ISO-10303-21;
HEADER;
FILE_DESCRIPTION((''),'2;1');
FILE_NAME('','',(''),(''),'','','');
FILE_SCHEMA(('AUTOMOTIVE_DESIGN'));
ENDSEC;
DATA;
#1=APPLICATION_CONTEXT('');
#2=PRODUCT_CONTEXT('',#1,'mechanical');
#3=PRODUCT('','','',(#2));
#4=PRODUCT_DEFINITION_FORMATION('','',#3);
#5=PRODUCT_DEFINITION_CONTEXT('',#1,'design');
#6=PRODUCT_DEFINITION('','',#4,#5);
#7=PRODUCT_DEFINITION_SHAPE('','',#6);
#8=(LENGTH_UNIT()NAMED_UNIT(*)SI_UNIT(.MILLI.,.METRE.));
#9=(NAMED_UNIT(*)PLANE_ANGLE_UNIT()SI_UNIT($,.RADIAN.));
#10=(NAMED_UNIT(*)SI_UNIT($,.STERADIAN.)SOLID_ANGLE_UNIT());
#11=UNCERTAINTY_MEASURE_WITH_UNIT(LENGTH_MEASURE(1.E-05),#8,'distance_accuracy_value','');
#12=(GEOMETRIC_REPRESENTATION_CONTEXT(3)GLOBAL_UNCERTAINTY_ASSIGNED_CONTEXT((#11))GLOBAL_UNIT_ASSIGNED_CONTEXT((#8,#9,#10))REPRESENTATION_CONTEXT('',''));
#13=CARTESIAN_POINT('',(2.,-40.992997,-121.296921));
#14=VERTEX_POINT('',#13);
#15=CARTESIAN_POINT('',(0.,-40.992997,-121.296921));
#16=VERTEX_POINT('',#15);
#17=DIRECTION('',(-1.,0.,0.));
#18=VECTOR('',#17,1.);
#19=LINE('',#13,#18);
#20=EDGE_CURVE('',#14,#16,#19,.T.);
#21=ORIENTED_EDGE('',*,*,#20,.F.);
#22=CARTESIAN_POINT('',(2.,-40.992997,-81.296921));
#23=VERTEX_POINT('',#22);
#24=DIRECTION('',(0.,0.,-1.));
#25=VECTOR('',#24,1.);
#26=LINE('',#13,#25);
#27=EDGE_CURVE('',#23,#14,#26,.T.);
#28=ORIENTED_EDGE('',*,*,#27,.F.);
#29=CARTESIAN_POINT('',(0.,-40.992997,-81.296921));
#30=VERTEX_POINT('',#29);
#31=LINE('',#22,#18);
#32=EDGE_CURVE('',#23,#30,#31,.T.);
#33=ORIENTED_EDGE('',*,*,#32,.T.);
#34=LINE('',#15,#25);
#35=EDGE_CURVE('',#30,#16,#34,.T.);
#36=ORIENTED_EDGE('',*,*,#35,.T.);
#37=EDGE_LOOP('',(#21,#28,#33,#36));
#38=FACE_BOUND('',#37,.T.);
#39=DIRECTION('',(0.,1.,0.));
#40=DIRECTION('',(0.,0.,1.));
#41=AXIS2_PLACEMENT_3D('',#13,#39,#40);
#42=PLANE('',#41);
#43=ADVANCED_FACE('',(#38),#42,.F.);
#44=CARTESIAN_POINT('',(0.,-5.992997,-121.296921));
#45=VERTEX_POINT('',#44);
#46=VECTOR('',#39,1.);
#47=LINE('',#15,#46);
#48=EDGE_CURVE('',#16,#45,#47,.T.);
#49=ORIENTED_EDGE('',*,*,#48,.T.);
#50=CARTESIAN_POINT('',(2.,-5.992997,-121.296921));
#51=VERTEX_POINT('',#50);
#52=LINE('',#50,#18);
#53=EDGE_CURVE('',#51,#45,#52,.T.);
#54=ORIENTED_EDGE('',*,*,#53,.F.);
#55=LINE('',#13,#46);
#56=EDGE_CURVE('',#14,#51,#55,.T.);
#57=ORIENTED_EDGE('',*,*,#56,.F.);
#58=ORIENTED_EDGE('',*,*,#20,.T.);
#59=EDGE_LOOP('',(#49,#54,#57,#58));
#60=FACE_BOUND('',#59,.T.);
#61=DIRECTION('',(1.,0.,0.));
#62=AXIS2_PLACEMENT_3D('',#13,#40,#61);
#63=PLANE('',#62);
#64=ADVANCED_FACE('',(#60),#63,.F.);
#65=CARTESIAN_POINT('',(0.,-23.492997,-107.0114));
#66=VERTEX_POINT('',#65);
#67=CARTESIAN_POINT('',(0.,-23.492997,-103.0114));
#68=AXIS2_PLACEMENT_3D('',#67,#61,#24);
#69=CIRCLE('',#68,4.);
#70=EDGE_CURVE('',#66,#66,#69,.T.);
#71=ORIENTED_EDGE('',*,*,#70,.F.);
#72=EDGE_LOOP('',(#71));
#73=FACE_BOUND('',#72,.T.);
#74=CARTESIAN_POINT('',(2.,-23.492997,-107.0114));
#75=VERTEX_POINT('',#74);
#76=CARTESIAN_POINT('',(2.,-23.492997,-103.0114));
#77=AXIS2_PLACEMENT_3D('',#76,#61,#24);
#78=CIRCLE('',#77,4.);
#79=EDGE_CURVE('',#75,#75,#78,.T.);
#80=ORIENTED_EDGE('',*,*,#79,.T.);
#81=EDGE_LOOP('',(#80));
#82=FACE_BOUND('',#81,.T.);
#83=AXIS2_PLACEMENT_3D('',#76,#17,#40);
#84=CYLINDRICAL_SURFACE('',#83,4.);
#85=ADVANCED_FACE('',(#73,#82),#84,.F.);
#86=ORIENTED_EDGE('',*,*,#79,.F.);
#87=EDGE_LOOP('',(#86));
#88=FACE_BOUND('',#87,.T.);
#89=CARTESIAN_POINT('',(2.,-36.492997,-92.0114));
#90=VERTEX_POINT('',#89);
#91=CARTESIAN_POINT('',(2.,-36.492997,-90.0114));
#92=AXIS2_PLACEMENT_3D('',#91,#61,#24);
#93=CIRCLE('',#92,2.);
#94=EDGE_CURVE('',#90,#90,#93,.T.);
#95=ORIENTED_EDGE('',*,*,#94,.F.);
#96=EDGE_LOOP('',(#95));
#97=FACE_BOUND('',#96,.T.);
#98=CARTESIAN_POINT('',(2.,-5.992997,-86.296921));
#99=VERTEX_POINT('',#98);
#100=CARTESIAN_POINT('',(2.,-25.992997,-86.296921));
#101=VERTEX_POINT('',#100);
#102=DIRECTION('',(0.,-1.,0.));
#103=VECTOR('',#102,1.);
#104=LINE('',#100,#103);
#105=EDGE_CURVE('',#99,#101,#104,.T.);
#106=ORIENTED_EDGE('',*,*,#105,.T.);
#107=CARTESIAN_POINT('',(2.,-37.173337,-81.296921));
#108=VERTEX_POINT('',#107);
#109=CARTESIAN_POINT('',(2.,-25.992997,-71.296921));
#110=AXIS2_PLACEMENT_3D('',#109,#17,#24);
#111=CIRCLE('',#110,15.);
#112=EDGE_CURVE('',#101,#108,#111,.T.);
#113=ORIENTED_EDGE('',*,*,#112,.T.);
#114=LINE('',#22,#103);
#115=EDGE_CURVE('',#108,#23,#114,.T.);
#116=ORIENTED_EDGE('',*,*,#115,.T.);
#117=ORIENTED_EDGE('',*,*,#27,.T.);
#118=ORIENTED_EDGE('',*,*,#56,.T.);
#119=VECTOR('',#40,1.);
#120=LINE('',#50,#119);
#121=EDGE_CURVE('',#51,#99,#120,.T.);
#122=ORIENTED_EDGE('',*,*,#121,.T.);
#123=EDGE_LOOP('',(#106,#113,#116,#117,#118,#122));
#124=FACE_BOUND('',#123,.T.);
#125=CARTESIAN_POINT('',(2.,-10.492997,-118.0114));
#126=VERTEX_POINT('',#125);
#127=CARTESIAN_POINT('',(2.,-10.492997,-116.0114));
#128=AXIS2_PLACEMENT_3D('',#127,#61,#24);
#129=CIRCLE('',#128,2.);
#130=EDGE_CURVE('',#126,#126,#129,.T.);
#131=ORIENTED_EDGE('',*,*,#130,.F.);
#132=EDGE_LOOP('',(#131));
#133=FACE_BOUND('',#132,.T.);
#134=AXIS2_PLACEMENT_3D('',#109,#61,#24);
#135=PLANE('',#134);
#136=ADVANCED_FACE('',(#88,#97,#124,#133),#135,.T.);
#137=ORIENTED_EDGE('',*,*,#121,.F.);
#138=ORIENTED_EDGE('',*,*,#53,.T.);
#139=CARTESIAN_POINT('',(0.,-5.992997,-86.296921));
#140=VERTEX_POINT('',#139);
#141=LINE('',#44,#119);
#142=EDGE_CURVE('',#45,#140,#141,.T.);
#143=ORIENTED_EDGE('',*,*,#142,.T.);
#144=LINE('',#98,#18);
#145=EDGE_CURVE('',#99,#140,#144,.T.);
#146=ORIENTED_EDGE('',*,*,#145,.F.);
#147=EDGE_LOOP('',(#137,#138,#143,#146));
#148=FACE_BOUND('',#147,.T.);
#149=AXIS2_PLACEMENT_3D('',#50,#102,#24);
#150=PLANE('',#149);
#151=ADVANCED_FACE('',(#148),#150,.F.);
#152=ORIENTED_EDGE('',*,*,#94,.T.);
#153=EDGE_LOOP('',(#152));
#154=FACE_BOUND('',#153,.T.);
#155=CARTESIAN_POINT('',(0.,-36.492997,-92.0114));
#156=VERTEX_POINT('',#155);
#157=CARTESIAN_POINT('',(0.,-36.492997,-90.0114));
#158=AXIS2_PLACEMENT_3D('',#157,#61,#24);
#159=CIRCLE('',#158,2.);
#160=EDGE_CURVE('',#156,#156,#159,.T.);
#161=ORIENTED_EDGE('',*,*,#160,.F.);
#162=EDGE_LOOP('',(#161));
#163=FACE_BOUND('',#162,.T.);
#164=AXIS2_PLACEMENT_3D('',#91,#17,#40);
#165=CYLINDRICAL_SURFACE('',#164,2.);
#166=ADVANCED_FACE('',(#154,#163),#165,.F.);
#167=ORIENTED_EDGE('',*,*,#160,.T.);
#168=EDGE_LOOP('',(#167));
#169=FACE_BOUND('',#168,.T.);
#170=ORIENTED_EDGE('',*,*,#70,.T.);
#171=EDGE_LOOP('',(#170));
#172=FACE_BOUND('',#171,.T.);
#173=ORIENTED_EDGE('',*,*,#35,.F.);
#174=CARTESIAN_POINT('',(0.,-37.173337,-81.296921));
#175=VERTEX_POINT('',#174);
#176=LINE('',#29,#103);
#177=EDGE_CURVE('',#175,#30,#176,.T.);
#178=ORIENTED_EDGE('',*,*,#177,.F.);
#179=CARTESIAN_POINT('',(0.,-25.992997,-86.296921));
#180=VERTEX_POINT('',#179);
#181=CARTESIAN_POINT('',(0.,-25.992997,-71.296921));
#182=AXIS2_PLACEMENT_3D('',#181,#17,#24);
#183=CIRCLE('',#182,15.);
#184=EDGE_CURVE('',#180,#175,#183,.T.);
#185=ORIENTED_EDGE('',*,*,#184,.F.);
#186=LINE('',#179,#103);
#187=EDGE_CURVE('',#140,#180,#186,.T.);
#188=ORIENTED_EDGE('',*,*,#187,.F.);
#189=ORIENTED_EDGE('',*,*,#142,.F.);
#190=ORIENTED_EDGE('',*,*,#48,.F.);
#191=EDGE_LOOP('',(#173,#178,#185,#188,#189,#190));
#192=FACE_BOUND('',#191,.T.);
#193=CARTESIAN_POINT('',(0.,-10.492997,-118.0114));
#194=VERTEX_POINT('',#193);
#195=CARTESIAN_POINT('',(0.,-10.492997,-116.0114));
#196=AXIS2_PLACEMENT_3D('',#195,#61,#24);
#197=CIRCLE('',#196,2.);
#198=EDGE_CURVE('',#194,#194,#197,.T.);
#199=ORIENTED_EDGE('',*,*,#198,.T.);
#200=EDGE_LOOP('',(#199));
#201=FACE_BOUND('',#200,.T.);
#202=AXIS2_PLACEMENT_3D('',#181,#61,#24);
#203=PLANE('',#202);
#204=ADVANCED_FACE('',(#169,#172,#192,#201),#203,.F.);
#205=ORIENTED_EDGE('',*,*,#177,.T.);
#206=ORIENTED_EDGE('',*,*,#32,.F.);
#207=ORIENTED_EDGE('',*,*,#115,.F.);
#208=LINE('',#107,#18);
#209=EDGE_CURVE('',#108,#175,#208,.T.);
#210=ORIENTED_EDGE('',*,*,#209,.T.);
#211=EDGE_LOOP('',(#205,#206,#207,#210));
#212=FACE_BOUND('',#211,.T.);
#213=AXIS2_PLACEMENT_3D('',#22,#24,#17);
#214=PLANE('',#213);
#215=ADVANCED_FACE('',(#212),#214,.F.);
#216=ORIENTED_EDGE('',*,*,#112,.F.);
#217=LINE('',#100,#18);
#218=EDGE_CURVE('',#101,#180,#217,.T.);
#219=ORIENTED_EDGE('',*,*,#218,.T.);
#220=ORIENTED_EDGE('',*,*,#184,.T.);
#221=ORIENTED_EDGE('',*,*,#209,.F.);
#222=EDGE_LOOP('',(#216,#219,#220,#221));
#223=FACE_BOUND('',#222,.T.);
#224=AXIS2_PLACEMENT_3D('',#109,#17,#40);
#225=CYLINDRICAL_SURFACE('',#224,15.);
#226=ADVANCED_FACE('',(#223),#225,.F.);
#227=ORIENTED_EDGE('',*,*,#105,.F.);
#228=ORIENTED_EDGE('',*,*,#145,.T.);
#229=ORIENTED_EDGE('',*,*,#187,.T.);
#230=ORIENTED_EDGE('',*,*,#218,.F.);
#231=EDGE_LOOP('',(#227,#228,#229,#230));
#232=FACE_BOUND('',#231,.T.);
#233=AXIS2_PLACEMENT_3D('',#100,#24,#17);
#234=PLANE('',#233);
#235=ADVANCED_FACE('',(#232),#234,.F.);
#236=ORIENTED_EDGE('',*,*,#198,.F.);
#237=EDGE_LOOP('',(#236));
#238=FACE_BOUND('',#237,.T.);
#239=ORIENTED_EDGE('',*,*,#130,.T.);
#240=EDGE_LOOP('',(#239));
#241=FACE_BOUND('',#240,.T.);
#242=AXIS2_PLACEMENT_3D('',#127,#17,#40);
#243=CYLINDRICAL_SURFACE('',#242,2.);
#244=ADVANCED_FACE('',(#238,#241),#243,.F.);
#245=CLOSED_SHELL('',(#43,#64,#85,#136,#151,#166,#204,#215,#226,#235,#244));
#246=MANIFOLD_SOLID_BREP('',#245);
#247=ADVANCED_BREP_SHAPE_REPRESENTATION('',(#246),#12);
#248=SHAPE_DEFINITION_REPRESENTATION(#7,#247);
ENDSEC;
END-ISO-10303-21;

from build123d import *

# Parameters (mm, degrees)
SKETCH1_R           = 4
SKETCH1_R_2         = 2
BOSS_EXTRUDE1_DEPTH = 2


with BuildPart() as part:
    # Sketch1 → Boss-Extrude1 (new body)
    with BuildSketch(Plane(origin=(0, 0, 0), x_dir=(0, 0, -1), z_dir=(1, 0, 0))):
        with BuildLine():
            Line((121.29692104, -40.99299677), (121.29692104, -5.99299677))
            Line((121.29692104, -5.99299677), (86.29692104, -5.99299677))
            Line((86.29692104, -5.99299677), (86.29692104, -25.99299677))
            ThreePointArc((86.29692104, -25.99299677), (84.989984977, -32.116721127), (81.29692104, -37.173336658))
            Line((81.29692104, -37.173336658), (81.29692104, -40.99299677))
            Line((81.29692104, -40.99299677), (121.29692104, -40.99299677))
        make_face()
        with Locations((103.011400413, -23.49299677)):
            Circle(SKETCH1_R, mode=Mode.SUBTRACT)
        with Locations((116.011400413, -10.49299677)):
            Circle(SKETCH1_R_2, mode=Mode.SUBTRACT)
        with Locations((90.011400413, -36.49299677)):
            Circle(SKETCH1_R_2, mode=Mode.SUBTRACT)
    extrude(amount=BOSS_EXTRUDE1_DEPTH)


solid = part.part
